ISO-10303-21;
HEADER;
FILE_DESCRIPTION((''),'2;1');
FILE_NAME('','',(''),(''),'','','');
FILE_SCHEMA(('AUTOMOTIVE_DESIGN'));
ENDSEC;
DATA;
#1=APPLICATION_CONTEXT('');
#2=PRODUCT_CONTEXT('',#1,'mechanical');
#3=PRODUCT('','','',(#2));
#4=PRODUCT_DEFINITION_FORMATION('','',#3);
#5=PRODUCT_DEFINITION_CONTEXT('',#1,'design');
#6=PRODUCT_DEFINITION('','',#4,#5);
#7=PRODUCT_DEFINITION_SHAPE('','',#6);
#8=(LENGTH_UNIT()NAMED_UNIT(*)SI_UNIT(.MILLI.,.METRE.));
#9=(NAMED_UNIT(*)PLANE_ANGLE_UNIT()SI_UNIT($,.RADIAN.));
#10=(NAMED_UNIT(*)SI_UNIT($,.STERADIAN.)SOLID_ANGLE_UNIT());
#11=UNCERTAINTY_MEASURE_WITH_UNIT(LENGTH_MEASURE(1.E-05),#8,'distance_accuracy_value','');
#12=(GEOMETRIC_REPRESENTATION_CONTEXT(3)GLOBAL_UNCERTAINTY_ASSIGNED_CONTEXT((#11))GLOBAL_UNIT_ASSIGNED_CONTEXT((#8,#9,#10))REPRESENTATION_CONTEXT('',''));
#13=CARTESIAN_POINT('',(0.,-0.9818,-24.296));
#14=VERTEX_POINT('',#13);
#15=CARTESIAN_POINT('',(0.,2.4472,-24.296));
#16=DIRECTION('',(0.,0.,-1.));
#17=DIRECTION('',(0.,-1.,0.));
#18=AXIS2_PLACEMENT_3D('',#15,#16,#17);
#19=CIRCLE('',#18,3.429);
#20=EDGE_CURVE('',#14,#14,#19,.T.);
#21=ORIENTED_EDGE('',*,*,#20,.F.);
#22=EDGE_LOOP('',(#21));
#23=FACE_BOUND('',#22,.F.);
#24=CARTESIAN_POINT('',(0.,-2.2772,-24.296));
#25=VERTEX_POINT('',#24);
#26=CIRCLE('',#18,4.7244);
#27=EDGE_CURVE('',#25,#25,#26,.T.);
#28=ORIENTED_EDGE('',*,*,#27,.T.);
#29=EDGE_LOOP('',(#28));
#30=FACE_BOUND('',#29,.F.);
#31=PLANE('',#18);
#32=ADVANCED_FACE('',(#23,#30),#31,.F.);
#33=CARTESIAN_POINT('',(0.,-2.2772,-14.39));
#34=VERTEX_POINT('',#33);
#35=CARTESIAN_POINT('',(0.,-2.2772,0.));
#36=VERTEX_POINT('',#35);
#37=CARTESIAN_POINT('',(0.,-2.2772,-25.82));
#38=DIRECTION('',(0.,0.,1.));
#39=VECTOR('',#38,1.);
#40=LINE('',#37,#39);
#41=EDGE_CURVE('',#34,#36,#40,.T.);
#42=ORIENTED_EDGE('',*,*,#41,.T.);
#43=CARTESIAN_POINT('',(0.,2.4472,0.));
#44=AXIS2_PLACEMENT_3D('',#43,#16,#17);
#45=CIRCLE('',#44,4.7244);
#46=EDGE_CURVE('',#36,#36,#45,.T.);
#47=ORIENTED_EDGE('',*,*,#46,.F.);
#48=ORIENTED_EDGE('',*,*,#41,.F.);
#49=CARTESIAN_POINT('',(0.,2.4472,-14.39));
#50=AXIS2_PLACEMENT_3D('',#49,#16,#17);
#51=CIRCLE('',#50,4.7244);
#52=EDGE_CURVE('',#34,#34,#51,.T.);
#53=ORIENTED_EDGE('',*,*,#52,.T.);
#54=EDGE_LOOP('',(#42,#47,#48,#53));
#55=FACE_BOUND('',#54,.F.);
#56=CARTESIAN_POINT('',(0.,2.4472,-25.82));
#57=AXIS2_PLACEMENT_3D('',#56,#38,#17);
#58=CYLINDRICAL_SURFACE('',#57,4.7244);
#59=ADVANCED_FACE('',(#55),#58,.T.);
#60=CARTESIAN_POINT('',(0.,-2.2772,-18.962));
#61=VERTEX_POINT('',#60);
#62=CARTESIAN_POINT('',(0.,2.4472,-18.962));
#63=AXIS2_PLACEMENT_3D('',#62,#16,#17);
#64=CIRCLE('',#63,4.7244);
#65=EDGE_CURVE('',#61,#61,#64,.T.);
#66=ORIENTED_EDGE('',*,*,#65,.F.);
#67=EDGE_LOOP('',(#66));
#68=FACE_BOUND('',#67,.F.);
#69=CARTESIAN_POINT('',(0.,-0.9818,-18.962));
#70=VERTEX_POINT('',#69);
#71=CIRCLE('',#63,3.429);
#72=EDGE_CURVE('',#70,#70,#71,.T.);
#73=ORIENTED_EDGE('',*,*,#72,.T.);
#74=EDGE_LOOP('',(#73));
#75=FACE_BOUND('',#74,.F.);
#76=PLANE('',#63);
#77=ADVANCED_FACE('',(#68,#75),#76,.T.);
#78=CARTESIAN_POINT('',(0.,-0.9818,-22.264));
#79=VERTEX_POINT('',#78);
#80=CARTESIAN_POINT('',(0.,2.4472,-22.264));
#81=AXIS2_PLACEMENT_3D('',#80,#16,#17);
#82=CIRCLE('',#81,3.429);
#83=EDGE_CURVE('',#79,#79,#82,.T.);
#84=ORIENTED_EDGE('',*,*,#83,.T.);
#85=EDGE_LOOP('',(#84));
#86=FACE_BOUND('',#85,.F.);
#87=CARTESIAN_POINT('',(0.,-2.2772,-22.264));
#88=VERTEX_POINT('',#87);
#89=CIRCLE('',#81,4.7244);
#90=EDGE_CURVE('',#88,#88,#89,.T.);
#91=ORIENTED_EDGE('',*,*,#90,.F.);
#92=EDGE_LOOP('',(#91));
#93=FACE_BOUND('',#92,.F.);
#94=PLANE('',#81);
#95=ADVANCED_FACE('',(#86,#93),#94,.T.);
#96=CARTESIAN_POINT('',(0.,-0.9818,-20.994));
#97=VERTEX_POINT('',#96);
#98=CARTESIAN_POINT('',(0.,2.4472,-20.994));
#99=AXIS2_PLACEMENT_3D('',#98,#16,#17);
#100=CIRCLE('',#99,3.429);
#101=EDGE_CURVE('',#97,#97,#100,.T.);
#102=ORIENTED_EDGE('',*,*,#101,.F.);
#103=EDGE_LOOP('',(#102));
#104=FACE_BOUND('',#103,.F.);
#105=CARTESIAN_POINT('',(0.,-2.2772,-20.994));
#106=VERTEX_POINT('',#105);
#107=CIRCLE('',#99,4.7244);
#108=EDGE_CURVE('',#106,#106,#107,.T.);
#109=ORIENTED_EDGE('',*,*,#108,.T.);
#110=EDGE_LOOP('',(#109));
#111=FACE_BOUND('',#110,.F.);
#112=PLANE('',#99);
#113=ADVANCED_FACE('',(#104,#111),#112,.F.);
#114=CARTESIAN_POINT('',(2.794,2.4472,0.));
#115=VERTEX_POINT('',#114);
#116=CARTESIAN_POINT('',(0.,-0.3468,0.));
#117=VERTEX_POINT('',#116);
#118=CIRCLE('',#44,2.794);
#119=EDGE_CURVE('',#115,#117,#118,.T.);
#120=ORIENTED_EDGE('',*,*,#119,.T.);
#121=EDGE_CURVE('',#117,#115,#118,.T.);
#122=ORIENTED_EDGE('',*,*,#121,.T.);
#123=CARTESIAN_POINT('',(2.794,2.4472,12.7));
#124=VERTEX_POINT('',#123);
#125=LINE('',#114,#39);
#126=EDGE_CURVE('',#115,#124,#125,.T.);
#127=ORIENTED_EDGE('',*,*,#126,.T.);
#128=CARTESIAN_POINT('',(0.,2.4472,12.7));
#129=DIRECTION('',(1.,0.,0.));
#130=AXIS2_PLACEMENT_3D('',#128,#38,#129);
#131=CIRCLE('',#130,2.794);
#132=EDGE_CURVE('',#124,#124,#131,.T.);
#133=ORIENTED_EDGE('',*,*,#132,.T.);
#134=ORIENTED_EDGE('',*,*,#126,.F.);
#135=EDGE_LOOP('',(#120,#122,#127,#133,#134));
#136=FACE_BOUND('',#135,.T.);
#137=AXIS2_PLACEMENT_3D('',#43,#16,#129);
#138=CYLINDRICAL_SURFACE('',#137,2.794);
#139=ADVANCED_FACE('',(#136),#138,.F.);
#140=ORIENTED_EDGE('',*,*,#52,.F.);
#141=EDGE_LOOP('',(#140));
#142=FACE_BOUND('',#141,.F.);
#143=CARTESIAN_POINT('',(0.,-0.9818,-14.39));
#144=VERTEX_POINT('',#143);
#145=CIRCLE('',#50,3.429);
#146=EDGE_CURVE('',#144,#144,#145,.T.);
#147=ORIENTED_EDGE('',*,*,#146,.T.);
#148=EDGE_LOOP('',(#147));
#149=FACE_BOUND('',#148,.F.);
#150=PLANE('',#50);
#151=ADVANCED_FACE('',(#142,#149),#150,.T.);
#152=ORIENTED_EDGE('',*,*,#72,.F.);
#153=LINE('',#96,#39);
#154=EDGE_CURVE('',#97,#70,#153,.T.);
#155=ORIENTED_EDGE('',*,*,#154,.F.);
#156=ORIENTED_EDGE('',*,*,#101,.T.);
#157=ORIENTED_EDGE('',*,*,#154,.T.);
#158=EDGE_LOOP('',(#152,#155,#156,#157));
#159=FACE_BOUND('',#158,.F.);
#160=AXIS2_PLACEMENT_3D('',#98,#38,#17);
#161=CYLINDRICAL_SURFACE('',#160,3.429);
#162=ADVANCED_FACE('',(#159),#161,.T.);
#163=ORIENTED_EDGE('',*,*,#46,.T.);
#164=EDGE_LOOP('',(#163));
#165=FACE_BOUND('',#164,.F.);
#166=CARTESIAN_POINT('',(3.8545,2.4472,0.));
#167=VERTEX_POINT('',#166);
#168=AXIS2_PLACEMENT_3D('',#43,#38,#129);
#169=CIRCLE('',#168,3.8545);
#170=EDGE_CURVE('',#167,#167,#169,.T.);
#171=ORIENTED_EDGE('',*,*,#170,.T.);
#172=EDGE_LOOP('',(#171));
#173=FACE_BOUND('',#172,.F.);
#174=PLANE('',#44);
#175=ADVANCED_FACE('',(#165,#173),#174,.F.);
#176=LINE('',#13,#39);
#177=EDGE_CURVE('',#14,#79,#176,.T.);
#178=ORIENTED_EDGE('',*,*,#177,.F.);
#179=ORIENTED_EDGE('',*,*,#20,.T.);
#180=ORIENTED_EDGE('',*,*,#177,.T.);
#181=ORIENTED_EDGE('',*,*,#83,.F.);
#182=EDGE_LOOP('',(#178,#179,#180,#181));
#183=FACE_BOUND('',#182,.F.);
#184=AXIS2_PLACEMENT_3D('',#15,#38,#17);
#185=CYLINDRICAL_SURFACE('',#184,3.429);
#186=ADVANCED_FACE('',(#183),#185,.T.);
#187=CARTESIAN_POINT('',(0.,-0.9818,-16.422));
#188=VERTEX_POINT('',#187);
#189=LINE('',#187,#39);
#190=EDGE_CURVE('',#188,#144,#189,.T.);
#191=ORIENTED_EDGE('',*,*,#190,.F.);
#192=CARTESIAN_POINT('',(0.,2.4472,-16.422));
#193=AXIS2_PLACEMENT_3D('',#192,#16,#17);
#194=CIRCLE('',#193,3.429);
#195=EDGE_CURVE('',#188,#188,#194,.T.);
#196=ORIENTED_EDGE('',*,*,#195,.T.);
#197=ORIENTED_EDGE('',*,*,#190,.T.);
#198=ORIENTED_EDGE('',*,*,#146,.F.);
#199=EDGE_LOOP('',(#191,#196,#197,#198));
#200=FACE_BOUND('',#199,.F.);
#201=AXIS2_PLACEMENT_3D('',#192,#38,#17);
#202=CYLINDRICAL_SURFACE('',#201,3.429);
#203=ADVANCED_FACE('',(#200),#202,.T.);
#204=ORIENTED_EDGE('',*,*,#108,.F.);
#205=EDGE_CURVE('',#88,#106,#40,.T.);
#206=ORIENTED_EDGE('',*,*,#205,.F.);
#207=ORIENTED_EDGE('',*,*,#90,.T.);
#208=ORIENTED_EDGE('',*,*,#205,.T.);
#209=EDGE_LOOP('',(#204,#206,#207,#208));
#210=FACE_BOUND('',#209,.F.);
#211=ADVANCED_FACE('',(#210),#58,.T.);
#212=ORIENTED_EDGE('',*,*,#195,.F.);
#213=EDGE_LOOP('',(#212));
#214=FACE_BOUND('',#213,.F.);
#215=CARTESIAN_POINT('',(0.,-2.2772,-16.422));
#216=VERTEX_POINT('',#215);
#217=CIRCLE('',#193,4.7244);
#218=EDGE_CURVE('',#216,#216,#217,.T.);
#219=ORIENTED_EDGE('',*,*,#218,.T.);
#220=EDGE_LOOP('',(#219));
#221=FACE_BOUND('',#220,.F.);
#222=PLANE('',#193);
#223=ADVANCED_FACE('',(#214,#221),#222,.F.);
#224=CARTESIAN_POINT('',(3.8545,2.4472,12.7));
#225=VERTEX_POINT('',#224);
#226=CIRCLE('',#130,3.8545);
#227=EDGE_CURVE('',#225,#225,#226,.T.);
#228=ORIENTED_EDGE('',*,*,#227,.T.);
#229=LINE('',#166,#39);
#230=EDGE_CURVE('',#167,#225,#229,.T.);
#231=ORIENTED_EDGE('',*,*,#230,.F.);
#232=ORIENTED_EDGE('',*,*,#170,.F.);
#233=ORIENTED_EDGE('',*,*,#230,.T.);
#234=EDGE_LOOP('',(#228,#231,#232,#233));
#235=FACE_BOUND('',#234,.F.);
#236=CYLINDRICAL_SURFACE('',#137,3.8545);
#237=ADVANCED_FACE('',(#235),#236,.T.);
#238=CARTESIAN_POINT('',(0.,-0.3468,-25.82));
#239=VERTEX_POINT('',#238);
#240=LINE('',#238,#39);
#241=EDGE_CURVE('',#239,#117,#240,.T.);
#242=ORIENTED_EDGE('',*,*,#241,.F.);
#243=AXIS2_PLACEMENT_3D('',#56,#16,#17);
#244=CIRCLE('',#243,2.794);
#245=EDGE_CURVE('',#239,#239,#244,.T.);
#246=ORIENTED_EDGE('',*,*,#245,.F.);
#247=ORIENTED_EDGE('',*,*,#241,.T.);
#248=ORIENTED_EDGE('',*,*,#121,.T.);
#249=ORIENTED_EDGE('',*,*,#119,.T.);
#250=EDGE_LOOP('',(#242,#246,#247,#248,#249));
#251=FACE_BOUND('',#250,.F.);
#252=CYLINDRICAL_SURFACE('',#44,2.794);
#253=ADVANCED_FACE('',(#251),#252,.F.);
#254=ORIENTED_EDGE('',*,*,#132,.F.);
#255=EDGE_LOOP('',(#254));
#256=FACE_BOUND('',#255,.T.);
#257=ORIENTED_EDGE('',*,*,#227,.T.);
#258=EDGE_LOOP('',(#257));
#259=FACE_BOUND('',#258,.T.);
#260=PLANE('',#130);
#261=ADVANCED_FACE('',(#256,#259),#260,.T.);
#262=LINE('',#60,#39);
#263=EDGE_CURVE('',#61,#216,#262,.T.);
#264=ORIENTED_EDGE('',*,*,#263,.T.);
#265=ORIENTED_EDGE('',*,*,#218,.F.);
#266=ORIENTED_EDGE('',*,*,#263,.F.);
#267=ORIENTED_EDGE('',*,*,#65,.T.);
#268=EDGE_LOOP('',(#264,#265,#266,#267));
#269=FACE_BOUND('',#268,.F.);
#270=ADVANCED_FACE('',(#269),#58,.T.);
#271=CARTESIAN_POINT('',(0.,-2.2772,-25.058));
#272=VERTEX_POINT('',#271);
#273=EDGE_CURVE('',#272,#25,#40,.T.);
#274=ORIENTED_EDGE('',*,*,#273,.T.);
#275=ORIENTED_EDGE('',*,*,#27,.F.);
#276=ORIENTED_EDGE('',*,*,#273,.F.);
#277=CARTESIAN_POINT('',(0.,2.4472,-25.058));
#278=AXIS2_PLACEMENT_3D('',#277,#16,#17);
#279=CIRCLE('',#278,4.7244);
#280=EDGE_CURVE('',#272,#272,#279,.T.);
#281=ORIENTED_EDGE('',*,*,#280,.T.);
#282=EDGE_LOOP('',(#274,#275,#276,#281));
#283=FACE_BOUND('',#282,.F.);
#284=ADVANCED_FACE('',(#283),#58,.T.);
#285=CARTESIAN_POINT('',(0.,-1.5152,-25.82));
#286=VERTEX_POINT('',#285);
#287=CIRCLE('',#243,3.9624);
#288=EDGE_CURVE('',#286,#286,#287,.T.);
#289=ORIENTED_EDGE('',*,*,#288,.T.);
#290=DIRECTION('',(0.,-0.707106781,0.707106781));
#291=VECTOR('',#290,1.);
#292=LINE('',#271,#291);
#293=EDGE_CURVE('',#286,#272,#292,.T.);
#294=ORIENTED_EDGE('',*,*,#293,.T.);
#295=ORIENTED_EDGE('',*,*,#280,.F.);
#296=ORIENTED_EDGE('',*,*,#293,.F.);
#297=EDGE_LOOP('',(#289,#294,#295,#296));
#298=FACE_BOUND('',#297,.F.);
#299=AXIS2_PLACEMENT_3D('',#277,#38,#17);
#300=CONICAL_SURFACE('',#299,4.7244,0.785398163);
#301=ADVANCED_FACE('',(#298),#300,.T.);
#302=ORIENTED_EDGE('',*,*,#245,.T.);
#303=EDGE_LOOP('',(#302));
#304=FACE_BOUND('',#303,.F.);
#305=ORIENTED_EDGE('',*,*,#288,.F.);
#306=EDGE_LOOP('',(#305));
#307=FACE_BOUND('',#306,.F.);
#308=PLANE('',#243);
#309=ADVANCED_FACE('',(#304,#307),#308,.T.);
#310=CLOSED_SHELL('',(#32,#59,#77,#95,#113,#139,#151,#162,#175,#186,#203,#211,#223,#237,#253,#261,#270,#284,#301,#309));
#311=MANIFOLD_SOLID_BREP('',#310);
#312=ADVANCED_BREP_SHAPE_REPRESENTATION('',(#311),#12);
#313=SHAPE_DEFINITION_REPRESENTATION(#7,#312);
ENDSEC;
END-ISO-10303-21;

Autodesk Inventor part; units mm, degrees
ref_plane "YZ Plane" through (0, 0, 0) normal (1, 0, 0) x (0, 1, 0)
ref_plane "XZ Plane" through (0, 0, 0) normal (0, 1, 0) x (-1, 0, 0)
ref_plane "XY Plane" through (0, 0, 0) normal (0, 0, 1) x (1, 0, 0)
sketch "Sketch1" plane through (0, 0, 0) normal (1, 0, 0) x (0, 1, 0)
  line L0 (-2.3153, 0) -> (7.2097, 0) projected
  line L1 (7.2097, -18.2) -> (-2.3153, -18.2) projected
  line L2 (2.4472, 0) -> (2.4472, -25.82)
  line L3 (-0.3468, 0) -> (-0.3468, -25.82)
  line L4 (-0.3468, -25.82) -> (-2.2772, -25.82)
  line L5 (-2.2772, -25.82) -> (-2.2772, 0)
  line L6 (-2.2772, 0) -> (-0.3468, 0)
  line L7 (-2.2772, -24.296) -> (-0.9818, -24.296)
  line L8 (-0.9818, -24.296) -> (-0.9818, -22.264)
  line L9 (-0.9818, -22.264) -> (-2.2772, -22.264)
  line L10 (-2.2772, -22.264) -> (-2.2772, -24.296)
  line L11 (-2.2772, -20.994) -> (-0.9818, -20.994)
  line L12 (-0.9818, -20.994) -> (-0.9818, -18.962)
  line L13 (-0.9818, -18.962) -> (-2.2772, -18.962)
  line L14 (-2.2772, -18.962) -> (-2.2772, -20.994)
  line L15 (-2.2772, -16.422) -> (-0.9818, -16.422)
  line L16 (-0.9818, -16.422) -> (-0.9818, -14.39)
  line L17 (-0.9818, -14.39) -> (-2.2772, -14.39)
  line L18 (-2.2772, -14.39) -> (-2.2772, -16.422)
  point P0 (0, 0)
  dimension "d0" = 7.62
  dimension "d1" = 5.588
  dimension "d2" = 9.4488
  dimension "d3" = 2.032
  dimension "d4" = 1.27
  dimension "d5" = 2.032
  dimension "d6" = 0.635
  dimension "d7" = 1.524
  dimension "d8" = 2.54
  dimension "d9" = 2.032
revolve "Revolution1" add sketch "Sketch1" angle 360 about axis through (0, 2.4472, 0) along (0, 0, -1) contours L0 L3 L1 L5 L15 L16 L17 | L3 L4 L5 L7 L8 L9 L11 L12 L13 L1
chamfer "Chamfer1" distance 0.762 angle 45 1 edges at (0, 7.1716, -25.82)
sketch "Sketch5" plane through (0, 2.4472, 0) normal (0, 0, 1) x (1, 0, 0)
  circle A0 centre (0, 0) radius 4.7244 projected
  circle A1 centre (0, 0) radius 2.794 projected
  circle A2 centre (0, 0) radius 3.8545
  point P0 (0, -2.4472)
  dimension "d22" = 0.87
extrude "Extrusion2" add sketch "Sketch5" along normal blind 12.7 contours A2
equation "\"d5\" = d3"
equation "\"d9\" = d3"
properties part number "11310_Pipe Inserts_V1" material "Stainless Steel, Austenitic"
